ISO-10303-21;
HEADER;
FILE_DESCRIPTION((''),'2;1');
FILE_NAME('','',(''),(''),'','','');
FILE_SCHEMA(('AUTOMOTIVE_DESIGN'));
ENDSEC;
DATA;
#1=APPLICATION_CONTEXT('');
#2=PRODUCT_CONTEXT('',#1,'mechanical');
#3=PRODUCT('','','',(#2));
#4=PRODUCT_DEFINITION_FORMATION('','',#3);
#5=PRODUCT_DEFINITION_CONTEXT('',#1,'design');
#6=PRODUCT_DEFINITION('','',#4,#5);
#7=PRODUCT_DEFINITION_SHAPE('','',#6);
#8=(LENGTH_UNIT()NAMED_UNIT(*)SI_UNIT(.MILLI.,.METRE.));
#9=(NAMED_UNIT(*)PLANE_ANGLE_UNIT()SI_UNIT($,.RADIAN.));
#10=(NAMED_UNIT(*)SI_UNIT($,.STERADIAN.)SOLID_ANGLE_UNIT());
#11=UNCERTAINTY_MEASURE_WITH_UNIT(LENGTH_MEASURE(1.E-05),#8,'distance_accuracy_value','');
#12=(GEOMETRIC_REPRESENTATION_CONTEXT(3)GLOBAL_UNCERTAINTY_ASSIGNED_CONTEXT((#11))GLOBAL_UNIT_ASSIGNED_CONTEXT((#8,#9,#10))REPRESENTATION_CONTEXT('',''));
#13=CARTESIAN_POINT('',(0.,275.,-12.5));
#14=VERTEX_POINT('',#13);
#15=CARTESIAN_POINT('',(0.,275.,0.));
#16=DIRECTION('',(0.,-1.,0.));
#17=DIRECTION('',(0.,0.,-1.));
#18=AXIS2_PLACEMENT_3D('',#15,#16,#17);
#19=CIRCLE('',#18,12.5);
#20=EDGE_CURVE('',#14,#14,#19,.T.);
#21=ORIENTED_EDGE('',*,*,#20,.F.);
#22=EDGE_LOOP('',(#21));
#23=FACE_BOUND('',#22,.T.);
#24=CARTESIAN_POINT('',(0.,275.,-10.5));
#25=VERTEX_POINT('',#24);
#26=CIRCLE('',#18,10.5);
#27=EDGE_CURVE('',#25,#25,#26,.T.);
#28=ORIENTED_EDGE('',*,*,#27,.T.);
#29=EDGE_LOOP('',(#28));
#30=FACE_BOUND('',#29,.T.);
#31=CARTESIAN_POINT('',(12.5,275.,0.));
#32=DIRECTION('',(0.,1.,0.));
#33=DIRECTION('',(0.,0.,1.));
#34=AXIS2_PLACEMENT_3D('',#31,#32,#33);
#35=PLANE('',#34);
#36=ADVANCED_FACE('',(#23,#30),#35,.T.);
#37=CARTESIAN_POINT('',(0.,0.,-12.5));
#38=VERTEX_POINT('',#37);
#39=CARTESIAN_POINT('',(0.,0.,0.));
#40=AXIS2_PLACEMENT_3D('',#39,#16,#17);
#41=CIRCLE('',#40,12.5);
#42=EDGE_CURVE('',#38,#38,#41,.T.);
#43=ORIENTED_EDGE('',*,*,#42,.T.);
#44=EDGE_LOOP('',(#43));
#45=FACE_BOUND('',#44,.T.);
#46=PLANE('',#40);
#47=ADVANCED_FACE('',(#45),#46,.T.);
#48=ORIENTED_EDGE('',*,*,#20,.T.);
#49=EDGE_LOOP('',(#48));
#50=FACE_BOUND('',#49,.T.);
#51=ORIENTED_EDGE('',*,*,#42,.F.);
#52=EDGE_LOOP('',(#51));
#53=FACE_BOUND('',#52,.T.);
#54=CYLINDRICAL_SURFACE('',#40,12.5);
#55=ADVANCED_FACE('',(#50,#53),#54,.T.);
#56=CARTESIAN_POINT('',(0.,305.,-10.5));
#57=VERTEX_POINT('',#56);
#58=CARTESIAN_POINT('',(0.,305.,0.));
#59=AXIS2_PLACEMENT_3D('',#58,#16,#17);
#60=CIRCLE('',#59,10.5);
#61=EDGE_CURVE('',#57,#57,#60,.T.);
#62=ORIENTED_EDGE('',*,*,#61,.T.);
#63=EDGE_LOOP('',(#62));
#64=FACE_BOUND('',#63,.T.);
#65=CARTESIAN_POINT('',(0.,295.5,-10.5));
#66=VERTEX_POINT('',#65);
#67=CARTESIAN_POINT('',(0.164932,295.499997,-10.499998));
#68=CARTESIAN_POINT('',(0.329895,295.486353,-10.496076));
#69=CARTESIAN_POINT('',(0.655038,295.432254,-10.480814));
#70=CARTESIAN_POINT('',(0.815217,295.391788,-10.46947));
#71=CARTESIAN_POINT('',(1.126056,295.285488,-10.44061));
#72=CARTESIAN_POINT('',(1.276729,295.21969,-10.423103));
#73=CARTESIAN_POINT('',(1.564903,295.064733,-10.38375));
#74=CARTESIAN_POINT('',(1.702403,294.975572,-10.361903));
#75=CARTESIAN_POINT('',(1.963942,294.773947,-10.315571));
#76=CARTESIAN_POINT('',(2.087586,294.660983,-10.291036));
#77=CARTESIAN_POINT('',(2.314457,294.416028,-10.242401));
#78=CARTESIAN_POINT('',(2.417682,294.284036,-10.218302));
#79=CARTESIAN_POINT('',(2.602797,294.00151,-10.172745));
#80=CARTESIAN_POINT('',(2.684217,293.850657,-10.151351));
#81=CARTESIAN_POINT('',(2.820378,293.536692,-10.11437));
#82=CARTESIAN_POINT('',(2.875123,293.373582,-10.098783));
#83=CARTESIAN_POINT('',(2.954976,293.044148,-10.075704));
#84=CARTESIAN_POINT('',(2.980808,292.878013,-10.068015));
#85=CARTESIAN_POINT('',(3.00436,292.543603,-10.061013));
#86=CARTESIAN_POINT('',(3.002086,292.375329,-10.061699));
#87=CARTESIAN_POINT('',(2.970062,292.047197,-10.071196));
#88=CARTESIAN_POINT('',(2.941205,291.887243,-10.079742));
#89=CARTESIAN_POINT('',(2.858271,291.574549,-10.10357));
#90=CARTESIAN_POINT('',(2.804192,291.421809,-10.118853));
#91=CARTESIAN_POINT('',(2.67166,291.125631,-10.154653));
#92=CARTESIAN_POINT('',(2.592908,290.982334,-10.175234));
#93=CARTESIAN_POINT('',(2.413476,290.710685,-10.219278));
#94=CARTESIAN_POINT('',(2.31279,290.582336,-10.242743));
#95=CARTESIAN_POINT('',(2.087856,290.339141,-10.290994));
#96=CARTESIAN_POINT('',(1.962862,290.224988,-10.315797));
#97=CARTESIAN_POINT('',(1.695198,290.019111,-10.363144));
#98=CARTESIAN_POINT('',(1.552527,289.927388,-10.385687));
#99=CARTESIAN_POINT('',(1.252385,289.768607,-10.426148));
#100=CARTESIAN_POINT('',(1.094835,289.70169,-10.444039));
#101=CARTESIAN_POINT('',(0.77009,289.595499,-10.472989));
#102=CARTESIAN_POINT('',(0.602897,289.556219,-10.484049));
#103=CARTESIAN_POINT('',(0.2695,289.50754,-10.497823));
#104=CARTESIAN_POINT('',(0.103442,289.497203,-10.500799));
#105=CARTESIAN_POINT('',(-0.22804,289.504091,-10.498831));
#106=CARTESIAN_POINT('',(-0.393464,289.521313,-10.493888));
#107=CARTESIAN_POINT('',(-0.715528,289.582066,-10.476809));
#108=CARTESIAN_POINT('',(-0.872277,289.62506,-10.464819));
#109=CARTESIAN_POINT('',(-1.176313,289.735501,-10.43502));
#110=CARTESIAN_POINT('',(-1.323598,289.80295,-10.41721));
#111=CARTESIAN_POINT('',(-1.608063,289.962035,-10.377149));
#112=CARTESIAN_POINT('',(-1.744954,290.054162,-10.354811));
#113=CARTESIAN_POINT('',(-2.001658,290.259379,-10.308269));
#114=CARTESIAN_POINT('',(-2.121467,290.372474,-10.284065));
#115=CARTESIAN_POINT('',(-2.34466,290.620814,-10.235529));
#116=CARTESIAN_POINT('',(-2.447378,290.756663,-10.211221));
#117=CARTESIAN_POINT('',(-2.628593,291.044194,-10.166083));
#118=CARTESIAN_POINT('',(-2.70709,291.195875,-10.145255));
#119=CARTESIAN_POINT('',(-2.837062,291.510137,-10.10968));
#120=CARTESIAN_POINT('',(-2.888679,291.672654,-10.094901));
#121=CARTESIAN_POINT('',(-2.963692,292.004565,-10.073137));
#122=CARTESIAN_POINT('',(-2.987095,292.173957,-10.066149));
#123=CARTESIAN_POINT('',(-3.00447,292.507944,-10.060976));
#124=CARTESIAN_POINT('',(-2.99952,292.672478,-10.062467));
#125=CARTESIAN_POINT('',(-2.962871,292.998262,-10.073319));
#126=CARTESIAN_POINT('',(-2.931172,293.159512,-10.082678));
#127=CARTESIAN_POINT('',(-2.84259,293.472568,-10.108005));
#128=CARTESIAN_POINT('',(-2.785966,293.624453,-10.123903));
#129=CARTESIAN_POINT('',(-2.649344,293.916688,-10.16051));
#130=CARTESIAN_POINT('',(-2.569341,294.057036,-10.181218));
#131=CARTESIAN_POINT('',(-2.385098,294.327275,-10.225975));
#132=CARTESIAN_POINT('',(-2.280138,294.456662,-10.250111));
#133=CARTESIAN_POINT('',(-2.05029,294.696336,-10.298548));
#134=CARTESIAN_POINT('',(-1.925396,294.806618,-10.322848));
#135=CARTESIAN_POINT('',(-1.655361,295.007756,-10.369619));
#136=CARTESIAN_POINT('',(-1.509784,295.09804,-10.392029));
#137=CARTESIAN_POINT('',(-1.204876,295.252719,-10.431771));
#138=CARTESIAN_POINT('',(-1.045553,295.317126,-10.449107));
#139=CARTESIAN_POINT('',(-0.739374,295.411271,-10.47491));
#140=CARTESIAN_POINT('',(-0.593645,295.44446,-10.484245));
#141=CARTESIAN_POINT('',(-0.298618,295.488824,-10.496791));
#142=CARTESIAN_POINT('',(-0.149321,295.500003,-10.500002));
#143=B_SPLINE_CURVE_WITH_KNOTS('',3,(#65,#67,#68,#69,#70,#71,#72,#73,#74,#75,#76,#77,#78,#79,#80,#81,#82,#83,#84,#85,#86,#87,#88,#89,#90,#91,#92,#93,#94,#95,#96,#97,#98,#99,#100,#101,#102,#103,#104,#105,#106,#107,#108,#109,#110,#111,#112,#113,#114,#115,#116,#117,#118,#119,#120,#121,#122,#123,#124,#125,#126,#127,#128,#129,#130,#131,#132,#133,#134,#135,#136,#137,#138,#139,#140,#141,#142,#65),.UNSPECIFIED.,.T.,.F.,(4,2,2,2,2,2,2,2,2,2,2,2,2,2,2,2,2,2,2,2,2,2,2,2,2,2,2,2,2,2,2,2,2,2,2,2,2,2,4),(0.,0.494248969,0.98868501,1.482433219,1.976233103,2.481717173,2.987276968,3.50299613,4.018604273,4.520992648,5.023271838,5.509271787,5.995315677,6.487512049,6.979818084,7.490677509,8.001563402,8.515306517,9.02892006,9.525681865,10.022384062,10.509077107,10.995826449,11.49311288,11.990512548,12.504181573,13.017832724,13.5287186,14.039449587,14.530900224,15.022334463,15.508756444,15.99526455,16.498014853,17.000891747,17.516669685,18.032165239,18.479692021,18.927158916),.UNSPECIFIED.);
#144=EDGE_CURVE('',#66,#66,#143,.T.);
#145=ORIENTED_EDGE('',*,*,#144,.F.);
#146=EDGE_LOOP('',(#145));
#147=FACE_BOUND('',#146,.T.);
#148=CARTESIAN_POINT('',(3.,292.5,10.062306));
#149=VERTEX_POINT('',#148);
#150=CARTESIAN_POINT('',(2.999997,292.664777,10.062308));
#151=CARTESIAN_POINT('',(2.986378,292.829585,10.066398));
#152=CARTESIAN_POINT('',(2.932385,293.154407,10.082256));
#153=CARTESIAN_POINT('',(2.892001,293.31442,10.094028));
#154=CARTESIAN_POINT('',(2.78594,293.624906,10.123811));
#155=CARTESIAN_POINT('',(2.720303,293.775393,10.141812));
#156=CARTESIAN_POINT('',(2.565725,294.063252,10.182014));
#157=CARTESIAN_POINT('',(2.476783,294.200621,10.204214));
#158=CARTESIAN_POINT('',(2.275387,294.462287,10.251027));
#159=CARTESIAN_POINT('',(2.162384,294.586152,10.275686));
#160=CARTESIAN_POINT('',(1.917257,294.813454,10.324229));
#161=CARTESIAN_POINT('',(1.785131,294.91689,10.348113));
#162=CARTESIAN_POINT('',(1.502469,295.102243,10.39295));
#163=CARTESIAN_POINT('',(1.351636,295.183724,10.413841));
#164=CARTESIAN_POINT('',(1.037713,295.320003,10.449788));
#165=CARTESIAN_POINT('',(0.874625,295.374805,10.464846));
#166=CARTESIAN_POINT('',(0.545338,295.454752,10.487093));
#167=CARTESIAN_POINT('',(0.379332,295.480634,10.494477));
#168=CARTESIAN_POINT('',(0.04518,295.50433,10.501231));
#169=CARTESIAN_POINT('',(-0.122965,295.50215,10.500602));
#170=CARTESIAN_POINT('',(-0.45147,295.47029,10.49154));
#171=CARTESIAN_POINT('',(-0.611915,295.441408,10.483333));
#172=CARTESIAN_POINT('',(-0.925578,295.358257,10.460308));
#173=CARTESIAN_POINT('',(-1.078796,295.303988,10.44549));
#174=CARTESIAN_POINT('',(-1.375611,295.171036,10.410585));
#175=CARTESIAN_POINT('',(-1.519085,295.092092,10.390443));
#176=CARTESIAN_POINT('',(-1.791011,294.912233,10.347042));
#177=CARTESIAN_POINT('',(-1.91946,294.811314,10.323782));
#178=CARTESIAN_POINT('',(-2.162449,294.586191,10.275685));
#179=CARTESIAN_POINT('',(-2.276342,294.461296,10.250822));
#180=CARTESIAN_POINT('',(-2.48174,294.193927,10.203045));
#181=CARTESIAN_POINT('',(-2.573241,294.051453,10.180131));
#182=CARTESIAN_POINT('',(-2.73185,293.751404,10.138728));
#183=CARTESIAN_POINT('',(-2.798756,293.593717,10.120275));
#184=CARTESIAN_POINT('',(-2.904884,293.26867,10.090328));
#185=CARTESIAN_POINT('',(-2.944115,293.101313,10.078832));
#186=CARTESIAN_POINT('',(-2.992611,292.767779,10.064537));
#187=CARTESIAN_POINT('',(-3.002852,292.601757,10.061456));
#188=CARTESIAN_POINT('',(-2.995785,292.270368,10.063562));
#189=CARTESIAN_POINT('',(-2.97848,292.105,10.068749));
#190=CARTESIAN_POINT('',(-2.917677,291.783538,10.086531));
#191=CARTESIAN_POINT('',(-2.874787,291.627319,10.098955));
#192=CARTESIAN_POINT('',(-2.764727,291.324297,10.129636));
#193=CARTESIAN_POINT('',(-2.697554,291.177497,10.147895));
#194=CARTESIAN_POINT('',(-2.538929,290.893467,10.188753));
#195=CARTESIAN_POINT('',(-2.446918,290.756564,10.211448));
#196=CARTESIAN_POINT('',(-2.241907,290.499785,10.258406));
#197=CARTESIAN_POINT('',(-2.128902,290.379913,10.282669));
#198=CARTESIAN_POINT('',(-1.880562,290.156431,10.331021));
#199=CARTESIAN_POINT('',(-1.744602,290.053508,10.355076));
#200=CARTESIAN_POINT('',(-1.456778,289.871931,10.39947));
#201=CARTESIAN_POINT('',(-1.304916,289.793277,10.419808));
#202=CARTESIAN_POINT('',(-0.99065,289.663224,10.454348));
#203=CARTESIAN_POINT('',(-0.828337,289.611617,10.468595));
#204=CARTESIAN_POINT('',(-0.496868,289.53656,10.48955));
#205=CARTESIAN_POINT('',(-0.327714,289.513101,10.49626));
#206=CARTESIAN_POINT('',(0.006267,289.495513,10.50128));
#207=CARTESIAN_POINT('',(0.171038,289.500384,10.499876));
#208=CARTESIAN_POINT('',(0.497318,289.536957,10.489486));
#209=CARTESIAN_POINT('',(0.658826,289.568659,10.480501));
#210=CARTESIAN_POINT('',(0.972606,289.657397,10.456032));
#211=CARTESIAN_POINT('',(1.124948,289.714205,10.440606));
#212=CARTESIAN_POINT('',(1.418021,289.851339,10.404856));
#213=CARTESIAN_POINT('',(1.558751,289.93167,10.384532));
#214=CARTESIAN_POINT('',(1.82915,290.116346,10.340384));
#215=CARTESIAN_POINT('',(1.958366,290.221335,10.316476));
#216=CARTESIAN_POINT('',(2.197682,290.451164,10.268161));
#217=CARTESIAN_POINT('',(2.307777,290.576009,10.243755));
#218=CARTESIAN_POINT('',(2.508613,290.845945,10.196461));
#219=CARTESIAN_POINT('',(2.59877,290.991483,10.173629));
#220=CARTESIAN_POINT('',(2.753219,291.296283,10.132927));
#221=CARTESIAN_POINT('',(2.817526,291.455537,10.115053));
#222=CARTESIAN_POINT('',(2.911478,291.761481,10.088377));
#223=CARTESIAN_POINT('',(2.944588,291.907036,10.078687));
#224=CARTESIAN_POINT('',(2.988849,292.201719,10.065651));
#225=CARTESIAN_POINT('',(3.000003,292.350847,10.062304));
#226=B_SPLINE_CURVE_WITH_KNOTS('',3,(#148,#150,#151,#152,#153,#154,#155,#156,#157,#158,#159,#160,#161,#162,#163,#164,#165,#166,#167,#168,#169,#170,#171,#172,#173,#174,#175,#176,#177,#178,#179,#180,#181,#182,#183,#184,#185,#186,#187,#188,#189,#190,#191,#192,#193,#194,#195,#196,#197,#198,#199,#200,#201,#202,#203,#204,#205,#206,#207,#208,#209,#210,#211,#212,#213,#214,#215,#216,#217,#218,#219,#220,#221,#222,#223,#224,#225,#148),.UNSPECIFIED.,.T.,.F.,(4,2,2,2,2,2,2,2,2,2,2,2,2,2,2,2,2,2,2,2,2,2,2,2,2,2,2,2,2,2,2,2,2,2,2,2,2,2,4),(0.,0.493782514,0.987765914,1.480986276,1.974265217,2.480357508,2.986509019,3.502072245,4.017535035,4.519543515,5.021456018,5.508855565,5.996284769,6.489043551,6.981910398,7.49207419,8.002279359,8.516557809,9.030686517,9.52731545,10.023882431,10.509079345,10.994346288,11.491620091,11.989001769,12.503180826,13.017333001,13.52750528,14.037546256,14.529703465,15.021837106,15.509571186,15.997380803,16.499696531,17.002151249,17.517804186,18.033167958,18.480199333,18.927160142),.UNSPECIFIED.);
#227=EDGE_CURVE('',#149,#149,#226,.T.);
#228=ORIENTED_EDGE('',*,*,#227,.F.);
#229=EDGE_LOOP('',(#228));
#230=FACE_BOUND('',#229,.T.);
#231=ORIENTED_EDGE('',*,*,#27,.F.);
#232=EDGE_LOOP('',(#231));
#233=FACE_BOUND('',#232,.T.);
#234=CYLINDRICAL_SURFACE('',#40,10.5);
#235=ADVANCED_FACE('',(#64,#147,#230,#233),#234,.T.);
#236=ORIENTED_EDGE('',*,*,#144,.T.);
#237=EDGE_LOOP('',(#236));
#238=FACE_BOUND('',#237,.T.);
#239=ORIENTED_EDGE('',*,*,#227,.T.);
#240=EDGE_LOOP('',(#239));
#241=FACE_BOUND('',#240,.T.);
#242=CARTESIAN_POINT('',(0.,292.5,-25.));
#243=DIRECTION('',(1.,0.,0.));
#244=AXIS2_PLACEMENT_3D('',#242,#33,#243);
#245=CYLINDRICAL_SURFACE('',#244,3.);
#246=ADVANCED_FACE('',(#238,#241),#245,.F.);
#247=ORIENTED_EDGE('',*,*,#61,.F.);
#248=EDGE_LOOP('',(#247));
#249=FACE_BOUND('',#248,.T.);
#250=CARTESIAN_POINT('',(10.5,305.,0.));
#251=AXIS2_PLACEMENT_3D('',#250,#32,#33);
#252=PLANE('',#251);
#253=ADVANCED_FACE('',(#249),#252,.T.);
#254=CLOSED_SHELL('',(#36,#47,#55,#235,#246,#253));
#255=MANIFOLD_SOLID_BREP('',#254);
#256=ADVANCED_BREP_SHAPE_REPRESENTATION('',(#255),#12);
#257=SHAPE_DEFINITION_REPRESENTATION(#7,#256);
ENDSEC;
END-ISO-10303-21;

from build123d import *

# Parameters (mm, degrees)
SKETCH3_R          = 3
CUT_EXTRUDE1_DEPTH = 25


with BuildPart() as part:
    # Sketch2 → Revolve1 (revolve)
    with BuildSketch(Plane.XY):
        Polygon((0, 0), (12.5, 0), (12.5, 275), (10.5, 275), (10.5, 305), (0, 305), align=None)
    revolve(axis=Axis((0, 0, 0), (0, 1, 0)))

    # Sketch3 → Cut-Extrude1 (cut, symmetric)
    with BuildSketch(Plane.XY):
        with Locations((0, 292.5)):
            Circle(SKETCH3_R)
    extrude(amount=CUT_EXTRUDE1_DEPTH, both=True, mode=Mode.SUBTRACT)


solid = part.part
